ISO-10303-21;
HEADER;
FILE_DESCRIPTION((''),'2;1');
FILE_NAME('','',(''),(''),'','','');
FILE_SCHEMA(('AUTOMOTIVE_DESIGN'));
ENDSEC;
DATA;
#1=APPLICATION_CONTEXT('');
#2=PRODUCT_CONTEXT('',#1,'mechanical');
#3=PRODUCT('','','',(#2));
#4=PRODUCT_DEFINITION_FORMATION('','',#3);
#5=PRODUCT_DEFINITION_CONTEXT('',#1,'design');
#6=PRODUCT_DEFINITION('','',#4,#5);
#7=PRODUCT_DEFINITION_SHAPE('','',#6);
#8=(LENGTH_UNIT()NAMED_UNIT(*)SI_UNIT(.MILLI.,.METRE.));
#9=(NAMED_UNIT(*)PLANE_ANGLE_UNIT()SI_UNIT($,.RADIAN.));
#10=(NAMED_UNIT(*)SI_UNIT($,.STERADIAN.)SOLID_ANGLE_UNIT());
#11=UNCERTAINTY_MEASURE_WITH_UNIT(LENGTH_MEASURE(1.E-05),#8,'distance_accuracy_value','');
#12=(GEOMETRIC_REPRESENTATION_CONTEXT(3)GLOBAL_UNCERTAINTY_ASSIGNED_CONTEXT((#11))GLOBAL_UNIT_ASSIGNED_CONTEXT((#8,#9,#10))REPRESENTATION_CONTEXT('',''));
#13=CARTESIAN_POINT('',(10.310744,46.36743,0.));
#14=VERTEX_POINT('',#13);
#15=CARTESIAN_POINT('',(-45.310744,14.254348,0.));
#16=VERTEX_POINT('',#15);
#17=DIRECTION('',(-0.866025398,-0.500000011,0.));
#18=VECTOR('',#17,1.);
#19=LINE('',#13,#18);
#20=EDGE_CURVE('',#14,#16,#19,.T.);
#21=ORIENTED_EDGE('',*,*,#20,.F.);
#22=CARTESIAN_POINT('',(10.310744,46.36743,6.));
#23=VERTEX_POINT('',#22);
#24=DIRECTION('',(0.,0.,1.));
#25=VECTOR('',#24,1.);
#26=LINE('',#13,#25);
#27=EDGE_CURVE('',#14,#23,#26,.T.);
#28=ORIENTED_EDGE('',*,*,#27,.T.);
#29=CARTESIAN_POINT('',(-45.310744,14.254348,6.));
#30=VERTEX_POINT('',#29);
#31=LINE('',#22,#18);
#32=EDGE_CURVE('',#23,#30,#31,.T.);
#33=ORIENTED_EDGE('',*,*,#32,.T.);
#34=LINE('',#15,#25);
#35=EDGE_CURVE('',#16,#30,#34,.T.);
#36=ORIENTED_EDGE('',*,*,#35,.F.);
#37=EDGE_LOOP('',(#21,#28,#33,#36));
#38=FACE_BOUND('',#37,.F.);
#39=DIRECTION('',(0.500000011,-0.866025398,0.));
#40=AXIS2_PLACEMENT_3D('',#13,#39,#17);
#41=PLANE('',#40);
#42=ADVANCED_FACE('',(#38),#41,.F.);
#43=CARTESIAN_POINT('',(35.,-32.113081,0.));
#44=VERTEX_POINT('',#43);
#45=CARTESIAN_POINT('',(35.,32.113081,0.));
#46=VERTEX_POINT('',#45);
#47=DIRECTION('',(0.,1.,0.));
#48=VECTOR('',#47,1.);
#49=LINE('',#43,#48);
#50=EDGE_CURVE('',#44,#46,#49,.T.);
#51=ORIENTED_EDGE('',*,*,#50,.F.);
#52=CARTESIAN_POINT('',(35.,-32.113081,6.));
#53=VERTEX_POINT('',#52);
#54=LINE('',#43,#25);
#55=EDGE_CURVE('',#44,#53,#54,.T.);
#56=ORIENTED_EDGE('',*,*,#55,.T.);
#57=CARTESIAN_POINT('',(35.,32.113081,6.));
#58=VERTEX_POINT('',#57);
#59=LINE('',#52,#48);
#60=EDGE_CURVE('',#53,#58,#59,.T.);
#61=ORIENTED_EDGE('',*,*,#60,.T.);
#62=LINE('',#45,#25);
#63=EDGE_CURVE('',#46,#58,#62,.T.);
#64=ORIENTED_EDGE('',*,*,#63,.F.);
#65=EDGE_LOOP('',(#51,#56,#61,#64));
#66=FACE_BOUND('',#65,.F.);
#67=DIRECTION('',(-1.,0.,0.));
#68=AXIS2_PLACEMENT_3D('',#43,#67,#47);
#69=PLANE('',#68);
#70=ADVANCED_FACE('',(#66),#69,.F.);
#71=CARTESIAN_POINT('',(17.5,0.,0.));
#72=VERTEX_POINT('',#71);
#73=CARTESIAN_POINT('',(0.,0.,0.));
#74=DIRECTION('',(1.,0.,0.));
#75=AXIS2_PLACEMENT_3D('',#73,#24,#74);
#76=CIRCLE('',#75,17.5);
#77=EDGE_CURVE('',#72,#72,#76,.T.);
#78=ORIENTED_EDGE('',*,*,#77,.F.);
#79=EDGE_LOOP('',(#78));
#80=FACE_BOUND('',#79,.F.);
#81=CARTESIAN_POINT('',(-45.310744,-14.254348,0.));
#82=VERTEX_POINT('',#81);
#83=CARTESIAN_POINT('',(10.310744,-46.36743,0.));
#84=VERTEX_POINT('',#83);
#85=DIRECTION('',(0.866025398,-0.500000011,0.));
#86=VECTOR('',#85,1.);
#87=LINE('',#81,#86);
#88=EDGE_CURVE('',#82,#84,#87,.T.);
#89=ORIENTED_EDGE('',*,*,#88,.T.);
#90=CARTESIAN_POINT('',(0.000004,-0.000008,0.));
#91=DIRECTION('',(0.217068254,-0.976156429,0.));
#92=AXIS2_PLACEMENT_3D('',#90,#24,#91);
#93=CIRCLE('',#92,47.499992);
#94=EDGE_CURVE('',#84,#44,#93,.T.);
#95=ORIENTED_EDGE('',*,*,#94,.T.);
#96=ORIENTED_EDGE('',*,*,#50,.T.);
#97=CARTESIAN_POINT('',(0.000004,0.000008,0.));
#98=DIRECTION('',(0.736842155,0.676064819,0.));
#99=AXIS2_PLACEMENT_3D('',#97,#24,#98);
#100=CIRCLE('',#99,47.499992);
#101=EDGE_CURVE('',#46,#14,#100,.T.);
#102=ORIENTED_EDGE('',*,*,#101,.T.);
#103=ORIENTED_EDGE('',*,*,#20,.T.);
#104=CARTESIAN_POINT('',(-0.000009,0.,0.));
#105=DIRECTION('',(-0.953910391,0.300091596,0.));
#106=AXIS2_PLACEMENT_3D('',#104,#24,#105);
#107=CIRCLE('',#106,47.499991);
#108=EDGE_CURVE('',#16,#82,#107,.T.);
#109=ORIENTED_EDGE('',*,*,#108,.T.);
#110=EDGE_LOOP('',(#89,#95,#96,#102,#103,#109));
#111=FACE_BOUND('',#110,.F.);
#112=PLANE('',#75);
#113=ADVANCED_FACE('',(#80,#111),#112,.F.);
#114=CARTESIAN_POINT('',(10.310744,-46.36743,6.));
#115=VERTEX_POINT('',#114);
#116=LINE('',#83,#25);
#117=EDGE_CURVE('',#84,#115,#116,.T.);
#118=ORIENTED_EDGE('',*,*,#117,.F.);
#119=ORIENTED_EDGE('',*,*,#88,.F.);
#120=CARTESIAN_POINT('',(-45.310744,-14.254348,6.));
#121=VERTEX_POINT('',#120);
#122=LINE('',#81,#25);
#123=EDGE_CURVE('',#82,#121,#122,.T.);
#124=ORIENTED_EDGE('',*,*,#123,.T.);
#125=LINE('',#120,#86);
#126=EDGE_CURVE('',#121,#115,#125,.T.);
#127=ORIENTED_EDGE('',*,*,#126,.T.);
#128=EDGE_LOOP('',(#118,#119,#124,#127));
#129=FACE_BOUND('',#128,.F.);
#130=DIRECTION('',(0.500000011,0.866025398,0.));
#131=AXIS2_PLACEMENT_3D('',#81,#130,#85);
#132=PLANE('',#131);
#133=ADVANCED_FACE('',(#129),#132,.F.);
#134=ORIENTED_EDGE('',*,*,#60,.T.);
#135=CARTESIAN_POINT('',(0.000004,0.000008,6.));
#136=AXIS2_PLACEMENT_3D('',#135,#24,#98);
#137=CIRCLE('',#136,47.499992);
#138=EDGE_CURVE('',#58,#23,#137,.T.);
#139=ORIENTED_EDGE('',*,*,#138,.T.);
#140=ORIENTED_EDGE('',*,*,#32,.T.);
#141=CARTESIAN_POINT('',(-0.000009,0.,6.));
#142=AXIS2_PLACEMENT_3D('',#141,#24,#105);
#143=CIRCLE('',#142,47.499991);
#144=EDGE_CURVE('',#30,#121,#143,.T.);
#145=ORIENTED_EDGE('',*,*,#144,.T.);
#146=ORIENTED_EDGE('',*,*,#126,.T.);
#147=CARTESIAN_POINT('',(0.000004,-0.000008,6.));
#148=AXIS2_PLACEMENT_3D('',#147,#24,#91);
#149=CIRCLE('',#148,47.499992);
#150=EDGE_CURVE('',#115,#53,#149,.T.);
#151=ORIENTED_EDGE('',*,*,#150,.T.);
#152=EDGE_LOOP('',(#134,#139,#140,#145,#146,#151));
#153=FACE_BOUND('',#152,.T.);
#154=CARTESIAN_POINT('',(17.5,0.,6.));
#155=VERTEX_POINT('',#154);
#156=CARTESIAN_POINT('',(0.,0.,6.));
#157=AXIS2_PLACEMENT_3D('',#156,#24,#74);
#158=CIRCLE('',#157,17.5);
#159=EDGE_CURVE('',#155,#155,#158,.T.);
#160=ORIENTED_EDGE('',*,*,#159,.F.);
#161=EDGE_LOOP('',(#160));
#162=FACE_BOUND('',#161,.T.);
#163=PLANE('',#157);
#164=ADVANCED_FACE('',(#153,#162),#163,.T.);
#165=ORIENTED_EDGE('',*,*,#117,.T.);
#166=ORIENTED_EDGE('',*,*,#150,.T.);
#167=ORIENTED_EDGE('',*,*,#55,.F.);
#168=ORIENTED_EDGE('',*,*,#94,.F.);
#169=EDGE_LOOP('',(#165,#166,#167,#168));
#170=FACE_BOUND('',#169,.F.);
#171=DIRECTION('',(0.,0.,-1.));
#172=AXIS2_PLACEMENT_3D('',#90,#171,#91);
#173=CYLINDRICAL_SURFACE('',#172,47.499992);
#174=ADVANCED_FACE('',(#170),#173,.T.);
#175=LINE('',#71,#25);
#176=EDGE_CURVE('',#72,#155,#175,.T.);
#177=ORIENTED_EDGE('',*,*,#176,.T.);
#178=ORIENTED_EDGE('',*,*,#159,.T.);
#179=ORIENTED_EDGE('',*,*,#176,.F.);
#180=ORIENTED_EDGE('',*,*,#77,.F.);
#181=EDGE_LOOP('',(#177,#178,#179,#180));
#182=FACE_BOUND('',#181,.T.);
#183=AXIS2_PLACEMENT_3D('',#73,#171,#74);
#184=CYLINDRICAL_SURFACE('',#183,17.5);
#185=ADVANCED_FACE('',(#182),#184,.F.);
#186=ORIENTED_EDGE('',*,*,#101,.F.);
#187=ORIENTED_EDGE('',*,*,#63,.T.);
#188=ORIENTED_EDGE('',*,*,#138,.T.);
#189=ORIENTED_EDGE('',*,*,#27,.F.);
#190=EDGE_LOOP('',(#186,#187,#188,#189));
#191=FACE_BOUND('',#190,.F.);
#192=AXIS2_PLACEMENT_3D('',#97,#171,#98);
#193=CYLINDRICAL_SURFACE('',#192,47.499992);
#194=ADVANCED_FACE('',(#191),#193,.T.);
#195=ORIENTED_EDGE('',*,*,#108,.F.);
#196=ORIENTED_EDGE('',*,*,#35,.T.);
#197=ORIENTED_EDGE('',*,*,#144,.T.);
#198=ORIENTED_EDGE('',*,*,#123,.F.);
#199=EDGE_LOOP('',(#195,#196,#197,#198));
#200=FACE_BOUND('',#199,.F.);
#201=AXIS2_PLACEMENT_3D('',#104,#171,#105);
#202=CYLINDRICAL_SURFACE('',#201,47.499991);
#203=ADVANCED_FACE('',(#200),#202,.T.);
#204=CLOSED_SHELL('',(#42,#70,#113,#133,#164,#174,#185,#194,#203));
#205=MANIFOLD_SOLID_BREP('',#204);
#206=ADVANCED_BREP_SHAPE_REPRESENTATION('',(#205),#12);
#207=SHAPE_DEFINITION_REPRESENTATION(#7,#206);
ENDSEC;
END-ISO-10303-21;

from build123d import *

# Parameters (mm, degrees)
F0_R     = 17.5
F1_DEPTH = 6


with BuildPart() as f1:
    # F0 (on Top) → F1 (new body)
    with BuildSketch(Plane.XY):
        with BuildLine():
            Line((10.310744, 46.36743), (-45.310744, 14.254348))
            ThreePointArc((-45.310744, 14.254348), (-47.5, 0), (-45.310744, -14.254348))
            Line((-45.310744, -14.254348), (10.310744, -46.36743))
            ThreePointArc((10.310744, -46.36743), (23.75, -41.136207), (35, -32.113081))
            Line((35, -32.113081), (35, 32.113081))
            ThreePointArc((35, 32.113081), (23.75, 41.136207), (10.310744, 46.36743))
        make_face()
        Circle(F0_R, mode=Mode.SUBTRACT)
    extrude(amount=F1_DEPTH)


solid = f1.part
